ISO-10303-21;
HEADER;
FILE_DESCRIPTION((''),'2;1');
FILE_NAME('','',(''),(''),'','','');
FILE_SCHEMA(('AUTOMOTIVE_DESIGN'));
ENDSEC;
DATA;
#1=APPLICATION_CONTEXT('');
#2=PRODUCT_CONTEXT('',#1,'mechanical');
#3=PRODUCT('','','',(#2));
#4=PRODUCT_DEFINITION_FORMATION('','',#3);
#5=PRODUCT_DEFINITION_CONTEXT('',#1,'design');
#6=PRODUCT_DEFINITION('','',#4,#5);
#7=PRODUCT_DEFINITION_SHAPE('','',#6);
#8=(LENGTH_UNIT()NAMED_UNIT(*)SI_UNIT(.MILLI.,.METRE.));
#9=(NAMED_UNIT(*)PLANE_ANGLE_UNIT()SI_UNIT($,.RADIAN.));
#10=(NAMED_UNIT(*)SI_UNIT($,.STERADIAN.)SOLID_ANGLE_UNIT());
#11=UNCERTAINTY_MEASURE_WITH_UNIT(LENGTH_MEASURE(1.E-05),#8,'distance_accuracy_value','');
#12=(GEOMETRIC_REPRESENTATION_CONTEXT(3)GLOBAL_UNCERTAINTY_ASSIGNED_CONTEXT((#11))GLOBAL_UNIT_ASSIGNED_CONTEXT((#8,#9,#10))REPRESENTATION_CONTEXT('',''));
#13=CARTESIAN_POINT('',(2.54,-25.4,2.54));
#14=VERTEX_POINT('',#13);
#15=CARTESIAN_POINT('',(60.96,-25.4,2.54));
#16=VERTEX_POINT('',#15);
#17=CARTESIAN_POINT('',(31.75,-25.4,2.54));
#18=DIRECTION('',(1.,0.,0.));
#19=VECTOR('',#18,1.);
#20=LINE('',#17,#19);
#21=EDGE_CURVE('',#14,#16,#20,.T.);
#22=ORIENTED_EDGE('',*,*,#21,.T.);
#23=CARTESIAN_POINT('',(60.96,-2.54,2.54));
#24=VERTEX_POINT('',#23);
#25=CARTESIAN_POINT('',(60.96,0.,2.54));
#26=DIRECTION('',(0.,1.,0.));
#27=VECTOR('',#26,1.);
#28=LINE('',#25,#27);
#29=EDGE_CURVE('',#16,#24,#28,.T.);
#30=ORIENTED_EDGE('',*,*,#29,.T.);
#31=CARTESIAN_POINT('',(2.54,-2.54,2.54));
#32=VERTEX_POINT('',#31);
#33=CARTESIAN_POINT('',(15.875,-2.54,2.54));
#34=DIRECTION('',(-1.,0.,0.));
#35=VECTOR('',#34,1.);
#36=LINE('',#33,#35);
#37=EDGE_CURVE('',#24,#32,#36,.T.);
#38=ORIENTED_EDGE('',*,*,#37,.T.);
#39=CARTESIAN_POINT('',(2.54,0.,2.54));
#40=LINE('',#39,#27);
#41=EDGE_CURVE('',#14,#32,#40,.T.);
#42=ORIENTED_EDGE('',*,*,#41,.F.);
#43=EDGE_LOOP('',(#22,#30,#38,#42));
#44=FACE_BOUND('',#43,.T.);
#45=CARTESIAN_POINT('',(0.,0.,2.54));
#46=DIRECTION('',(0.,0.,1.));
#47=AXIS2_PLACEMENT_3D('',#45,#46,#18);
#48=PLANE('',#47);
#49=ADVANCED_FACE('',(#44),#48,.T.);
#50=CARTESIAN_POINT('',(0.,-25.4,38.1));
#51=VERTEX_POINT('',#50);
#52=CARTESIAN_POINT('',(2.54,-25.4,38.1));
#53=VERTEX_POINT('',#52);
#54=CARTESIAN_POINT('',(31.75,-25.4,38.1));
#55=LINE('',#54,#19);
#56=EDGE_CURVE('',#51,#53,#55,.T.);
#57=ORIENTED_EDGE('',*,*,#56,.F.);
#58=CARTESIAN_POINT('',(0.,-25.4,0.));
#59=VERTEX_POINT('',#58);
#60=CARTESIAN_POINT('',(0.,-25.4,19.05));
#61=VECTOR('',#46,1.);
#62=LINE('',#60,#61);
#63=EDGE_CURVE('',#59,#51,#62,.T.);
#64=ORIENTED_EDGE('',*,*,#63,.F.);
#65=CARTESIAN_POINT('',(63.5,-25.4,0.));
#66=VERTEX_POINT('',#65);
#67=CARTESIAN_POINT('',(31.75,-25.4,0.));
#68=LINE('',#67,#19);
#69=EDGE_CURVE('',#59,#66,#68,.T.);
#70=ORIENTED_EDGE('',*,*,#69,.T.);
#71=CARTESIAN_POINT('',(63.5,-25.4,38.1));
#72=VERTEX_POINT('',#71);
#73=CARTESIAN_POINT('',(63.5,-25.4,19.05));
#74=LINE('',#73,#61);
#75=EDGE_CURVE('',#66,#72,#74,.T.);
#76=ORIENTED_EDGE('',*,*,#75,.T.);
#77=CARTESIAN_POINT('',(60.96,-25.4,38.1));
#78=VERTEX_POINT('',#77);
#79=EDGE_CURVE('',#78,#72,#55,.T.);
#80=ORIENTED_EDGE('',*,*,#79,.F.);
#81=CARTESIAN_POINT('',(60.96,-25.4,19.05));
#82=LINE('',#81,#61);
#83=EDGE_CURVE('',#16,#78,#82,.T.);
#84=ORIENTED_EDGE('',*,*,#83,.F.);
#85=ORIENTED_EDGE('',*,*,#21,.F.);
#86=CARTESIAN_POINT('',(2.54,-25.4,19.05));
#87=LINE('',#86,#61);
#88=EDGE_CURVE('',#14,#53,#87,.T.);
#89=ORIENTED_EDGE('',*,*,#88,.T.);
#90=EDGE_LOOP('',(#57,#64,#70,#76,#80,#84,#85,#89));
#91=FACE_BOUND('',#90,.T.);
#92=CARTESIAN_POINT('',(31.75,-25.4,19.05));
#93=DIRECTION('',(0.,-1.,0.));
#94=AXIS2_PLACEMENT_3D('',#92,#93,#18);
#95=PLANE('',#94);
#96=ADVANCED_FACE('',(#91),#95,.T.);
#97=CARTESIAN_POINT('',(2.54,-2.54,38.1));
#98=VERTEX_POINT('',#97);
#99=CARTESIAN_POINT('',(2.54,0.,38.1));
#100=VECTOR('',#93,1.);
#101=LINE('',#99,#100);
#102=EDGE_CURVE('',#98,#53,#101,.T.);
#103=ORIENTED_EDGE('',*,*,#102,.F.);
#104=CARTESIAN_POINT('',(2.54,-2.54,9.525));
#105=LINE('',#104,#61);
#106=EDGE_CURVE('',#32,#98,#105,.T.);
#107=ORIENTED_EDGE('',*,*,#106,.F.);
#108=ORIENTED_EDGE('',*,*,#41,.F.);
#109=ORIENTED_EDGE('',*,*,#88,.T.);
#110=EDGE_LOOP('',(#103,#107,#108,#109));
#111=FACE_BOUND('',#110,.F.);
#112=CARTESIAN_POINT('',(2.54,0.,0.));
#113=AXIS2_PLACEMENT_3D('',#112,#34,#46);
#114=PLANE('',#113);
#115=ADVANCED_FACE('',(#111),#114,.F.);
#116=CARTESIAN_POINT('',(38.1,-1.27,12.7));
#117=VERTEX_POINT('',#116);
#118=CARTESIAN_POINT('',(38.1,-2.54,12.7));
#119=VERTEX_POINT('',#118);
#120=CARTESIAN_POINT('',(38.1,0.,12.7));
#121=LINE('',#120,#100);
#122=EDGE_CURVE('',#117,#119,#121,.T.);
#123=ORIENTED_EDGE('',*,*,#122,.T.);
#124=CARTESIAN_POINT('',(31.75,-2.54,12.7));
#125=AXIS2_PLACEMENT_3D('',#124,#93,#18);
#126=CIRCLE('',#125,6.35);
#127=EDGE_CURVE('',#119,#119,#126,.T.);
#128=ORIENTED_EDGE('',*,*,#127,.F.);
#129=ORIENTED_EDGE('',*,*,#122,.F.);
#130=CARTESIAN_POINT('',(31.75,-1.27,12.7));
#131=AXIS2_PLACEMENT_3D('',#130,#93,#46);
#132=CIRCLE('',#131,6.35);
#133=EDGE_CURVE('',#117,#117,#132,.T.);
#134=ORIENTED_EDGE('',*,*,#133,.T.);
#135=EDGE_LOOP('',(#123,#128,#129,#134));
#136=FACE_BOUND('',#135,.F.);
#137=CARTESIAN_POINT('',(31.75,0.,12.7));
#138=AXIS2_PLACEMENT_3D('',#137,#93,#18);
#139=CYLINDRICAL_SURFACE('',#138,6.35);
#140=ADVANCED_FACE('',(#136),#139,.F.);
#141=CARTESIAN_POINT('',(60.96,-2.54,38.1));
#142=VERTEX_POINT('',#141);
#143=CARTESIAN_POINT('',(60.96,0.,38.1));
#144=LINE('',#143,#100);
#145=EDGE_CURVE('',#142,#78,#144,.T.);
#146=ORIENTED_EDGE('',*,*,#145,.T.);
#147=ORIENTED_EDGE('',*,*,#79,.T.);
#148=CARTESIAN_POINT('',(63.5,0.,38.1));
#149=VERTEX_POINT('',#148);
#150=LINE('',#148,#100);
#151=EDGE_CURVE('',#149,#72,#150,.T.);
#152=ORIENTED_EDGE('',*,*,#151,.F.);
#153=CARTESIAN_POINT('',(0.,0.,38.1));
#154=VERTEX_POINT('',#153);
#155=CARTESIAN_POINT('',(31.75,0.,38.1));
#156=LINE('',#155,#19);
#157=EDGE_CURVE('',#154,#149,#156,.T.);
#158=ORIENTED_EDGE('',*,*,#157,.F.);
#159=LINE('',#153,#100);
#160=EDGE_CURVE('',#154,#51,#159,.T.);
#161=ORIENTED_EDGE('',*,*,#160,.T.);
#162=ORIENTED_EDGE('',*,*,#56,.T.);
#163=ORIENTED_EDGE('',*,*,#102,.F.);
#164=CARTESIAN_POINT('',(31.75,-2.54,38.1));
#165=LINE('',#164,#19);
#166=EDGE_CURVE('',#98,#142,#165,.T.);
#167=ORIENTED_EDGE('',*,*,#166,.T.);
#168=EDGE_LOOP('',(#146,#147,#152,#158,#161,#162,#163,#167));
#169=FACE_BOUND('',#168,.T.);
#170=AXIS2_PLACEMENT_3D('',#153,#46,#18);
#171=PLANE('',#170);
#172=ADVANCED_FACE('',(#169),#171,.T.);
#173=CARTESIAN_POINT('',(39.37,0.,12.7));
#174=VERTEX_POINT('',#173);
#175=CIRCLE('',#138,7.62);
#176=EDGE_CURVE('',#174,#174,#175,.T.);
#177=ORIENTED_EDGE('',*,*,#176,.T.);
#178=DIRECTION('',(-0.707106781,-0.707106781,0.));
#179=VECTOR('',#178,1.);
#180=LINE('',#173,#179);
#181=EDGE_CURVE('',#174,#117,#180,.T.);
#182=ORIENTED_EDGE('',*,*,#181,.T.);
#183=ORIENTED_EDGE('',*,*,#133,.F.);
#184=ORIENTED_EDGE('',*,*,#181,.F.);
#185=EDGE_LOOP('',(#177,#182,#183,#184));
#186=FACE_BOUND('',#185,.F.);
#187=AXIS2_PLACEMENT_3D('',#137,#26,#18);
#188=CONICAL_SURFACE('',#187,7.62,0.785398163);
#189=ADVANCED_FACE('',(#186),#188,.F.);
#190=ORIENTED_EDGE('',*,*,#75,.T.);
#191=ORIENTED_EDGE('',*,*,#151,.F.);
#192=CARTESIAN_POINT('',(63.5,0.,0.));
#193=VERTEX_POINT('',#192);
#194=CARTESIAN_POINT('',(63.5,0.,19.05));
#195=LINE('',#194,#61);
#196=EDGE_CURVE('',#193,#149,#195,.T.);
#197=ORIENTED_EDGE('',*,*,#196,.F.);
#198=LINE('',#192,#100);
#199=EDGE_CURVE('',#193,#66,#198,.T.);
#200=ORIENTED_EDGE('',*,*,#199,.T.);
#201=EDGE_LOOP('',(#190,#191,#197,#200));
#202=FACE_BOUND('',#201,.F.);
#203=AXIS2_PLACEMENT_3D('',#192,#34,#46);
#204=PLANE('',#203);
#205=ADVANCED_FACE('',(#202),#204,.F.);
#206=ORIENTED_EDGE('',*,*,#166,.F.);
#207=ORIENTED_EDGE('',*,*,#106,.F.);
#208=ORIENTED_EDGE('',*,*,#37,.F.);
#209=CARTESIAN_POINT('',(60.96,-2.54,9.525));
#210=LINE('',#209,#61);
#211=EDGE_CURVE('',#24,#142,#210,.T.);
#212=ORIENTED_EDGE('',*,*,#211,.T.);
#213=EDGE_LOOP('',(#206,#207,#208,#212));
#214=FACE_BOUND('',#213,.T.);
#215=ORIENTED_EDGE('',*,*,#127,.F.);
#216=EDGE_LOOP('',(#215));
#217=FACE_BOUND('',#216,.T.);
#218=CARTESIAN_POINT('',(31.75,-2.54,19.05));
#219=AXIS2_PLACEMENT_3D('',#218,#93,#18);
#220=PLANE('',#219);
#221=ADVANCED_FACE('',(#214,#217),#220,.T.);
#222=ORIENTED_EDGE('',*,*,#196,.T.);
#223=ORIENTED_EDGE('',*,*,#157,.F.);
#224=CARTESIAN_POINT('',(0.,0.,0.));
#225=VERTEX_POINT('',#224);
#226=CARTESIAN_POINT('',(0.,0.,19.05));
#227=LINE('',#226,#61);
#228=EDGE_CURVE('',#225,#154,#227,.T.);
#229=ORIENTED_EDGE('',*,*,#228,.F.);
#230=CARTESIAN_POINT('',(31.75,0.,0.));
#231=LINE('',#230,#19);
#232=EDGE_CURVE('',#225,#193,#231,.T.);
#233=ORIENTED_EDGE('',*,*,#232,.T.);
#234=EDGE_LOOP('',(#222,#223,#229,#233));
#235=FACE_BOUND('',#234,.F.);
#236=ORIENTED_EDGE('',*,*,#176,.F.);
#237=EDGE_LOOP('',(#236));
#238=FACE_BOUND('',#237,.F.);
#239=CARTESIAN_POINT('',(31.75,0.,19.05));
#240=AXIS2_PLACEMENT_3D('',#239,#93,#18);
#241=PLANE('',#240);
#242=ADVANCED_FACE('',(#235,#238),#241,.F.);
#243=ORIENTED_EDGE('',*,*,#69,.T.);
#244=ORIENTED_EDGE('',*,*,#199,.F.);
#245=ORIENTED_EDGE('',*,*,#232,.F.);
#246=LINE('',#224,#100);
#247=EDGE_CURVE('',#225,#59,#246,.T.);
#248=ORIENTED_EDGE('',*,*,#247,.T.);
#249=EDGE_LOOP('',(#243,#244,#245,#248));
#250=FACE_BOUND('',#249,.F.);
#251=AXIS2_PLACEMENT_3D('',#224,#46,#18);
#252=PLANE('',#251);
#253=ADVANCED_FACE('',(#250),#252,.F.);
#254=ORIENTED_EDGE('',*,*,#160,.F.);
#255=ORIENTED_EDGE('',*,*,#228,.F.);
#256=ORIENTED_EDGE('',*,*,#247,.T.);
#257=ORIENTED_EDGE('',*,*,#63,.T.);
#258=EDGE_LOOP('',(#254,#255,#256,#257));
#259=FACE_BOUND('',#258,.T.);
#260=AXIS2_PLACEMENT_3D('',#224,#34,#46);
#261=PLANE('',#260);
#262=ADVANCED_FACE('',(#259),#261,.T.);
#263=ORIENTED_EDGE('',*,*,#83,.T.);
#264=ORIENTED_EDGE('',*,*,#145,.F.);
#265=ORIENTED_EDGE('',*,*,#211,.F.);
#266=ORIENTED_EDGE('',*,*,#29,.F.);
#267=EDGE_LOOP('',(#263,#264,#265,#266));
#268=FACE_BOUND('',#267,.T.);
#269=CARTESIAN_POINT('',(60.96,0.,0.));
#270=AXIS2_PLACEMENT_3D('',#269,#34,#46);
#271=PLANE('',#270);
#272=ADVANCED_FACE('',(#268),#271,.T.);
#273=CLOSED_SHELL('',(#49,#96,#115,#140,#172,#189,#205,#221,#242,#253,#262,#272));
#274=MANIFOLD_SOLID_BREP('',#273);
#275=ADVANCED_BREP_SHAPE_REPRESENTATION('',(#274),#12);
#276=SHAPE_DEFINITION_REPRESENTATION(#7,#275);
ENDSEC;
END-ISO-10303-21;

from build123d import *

# Parameters (mm, degrees)
F0_W           = 63.5
F0_H           = 38.1
F1_DEPTH       = 25.4
F2_T           = -2.54
F4_D           = 12.7
F4_CSINK_D     = 15.24
F4_CSINK_ANGLE = 90


with BuildPart() as f1:
    # F0 (on Front) → F1 (new body)
    with BuildSketch(Plane.XZ):
        with Locations((31.75, 19.05)):
            Rectangle(F0_W, F0_H)
    extrude(amount=F1_DEPTH)

    # F2
    f2_openings = [f1.faces().sort_by_distance(p)[0] for p in [
        (31.75, -25.4, 19.05),
        (31.75, -12.7, 38.1),
    ]]
    offset(amount=F2_T, openings=f2_openings)

    # F4 (through all)
    with Locations(Plane(origin=(0, 0, 0), x_dir=(-1, 0, 0), z_dir=(0, 1, 0))):
        with Locations((-31.75, 12.7)):
            CounterSinkHole(F4_D / 2, F4_CSINK_D / 2, counter_sink_angle=F4_CSINK_ANGLE)


solid = f1.part
